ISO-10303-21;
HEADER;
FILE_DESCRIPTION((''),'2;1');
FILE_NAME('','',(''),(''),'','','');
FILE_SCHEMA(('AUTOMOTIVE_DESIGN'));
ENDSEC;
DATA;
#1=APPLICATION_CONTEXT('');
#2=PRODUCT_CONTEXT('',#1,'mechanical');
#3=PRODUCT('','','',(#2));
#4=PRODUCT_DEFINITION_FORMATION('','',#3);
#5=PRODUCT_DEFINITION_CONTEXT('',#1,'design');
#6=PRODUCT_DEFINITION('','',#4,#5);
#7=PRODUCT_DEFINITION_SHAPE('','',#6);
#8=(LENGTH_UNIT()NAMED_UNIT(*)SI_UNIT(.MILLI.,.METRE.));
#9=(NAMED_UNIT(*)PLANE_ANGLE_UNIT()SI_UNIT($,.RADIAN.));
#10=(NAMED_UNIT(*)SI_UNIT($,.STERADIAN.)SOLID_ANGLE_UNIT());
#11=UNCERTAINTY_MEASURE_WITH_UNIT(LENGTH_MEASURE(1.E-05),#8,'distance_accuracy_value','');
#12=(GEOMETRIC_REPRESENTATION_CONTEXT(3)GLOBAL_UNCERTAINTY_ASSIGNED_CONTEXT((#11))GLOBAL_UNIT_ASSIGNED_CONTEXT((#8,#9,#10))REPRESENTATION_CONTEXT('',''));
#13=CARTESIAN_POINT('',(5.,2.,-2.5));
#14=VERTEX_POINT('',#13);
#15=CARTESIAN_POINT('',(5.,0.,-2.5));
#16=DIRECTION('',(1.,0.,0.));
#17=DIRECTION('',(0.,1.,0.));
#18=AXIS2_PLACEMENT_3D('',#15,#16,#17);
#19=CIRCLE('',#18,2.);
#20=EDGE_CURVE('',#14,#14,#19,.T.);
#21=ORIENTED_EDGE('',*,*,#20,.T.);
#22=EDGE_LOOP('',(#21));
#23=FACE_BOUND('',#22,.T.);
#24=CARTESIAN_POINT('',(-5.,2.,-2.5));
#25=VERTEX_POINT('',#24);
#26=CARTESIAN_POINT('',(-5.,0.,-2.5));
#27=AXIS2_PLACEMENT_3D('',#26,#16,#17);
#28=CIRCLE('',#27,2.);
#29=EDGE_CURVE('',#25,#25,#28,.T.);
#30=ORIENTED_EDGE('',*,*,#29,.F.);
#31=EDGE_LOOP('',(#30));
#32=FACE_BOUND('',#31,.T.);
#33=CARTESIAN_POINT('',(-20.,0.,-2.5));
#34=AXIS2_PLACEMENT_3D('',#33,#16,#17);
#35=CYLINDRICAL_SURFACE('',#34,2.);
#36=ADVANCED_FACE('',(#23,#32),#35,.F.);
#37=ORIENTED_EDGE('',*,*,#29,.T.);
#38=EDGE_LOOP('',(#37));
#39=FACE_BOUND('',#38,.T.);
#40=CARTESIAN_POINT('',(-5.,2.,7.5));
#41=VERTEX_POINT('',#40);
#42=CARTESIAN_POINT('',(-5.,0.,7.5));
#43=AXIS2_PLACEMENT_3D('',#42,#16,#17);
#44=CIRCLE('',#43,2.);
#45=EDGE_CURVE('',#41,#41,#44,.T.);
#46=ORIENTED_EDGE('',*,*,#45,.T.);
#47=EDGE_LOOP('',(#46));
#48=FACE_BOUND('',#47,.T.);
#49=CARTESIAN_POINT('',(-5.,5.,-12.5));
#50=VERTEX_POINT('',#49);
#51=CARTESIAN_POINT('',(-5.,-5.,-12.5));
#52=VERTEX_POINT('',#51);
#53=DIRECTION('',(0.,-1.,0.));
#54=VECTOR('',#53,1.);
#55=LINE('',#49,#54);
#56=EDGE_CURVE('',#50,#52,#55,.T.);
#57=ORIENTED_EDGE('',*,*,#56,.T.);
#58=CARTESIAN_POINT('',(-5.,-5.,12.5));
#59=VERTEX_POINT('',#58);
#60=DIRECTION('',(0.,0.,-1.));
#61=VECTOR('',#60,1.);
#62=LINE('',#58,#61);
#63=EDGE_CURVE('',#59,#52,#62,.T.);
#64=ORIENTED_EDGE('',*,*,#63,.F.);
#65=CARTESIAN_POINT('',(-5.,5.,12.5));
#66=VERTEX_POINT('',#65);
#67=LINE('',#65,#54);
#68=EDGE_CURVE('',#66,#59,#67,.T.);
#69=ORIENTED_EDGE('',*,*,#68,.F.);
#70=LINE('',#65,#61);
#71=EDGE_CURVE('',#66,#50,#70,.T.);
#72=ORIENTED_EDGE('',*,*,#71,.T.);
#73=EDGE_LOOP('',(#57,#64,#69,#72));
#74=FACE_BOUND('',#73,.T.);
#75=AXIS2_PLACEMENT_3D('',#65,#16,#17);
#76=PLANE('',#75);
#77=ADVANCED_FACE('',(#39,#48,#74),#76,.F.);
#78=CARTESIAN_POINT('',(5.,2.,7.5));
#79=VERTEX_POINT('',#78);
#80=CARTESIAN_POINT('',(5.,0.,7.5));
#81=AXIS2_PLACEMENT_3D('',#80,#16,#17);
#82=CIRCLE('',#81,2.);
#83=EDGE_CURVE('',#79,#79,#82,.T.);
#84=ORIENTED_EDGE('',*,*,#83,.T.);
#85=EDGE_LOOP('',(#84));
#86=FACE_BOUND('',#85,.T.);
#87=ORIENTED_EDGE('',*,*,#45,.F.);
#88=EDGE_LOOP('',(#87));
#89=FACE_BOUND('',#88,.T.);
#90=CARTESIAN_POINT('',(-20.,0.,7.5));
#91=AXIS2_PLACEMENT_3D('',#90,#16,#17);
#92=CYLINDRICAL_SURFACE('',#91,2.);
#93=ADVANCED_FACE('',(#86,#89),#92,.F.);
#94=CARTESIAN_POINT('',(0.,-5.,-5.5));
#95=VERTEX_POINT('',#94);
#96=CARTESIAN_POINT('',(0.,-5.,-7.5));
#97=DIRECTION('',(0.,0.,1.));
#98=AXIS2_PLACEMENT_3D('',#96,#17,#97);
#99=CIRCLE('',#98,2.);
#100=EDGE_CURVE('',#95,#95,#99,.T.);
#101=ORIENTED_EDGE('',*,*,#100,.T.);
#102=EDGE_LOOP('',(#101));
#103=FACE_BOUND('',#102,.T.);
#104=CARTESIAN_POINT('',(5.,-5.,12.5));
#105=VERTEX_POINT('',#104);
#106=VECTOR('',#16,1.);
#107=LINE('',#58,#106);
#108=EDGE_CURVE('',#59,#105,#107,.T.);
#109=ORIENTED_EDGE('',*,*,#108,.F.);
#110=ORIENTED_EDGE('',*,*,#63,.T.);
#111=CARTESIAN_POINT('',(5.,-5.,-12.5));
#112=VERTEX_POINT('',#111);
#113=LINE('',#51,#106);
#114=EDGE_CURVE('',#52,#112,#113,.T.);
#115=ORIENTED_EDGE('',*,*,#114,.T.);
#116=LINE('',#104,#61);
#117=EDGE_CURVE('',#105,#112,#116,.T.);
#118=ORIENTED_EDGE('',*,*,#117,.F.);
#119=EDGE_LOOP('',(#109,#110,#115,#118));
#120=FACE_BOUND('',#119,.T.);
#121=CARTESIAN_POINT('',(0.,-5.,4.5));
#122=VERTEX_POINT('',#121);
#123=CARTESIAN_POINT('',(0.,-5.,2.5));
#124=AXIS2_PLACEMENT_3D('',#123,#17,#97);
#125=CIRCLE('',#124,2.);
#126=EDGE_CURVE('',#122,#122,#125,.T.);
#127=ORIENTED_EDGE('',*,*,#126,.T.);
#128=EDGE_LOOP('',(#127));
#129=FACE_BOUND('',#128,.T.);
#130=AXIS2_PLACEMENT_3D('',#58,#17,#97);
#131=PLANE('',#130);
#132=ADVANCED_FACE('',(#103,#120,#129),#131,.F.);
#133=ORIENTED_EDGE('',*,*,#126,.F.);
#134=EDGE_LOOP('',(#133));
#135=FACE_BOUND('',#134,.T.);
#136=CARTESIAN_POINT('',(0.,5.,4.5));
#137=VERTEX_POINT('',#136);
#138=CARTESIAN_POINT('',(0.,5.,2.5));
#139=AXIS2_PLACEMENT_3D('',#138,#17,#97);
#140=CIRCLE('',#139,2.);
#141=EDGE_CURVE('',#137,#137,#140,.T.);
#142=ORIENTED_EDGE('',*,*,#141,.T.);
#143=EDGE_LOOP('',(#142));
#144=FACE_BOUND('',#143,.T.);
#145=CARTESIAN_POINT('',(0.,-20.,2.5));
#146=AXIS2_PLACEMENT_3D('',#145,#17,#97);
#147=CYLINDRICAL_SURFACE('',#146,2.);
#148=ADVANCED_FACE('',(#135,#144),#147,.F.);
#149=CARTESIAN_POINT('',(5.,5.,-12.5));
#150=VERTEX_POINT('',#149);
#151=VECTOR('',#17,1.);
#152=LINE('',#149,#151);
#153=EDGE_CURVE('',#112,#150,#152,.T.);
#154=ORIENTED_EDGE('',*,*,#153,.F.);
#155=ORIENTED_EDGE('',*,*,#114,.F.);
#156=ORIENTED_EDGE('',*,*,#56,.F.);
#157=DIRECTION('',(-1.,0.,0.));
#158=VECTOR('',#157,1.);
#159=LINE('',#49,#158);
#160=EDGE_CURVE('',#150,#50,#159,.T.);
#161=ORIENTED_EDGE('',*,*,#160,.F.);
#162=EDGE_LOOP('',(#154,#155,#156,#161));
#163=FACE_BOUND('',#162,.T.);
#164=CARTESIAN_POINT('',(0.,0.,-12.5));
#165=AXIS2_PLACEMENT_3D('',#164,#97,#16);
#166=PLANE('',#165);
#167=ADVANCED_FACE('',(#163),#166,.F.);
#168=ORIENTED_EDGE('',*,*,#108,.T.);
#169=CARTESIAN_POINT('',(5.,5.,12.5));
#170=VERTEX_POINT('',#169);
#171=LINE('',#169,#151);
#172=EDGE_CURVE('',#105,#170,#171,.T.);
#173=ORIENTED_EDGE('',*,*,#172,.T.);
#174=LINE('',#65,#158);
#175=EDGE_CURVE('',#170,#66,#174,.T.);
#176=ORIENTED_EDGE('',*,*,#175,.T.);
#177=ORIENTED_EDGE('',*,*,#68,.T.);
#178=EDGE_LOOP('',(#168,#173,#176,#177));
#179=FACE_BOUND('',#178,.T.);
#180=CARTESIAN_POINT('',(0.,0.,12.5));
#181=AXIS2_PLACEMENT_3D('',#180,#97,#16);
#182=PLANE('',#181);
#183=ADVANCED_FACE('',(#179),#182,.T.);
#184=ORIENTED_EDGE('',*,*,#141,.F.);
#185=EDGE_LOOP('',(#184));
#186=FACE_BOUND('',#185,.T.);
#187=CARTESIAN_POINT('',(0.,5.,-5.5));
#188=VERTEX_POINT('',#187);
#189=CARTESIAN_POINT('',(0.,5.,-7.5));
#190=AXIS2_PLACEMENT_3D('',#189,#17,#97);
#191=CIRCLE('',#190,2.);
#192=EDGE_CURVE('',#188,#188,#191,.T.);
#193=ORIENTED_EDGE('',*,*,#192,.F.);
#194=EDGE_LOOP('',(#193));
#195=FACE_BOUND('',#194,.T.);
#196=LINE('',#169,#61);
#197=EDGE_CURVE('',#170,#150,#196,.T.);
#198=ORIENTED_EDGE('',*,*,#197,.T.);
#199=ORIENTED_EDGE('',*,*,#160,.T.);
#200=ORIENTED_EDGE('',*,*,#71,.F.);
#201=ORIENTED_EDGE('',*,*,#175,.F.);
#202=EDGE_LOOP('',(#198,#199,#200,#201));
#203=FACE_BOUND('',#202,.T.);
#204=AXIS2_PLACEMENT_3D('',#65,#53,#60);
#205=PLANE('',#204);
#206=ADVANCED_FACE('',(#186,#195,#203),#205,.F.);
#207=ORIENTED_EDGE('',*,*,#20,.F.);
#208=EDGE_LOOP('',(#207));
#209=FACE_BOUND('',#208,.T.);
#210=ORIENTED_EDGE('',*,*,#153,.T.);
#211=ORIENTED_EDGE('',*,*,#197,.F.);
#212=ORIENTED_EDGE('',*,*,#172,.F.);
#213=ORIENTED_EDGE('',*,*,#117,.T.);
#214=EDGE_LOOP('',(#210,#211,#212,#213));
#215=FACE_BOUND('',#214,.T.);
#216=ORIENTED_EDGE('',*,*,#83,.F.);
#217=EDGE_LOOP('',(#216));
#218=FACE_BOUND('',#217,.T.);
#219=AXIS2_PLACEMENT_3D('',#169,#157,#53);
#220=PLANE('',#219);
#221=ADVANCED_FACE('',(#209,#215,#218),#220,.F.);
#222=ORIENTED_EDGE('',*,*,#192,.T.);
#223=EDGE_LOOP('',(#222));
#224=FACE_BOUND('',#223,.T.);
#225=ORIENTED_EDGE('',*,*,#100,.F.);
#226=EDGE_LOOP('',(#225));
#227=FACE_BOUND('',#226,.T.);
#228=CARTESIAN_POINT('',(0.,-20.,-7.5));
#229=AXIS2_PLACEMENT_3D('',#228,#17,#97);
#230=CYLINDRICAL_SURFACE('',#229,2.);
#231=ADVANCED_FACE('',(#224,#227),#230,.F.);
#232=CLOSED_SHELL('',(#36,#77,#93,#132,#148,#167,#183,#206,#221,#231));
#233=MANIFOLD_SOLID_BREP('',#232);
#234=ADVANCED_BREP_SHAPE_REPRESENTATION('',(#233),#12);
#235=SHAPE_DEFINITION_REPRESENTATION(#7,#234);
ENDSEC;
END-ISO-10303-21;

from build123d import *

# Parameters (mm, degrees)
SKETCH_1_W          = 10
SKETCH_1_H          = 10
EXTRUDE_1_DEPTH     = 12.5
SKETCH_2_R          = 2
CUT_EXTRUDE_1_DEPTH = 25
SKETCH_3_R          = 2
CUT_EXTRUDE_2_DEPTH = 25


with BuildPart() as part:
    # 草图1 → 凸台-拉伸1 (new body, symmetric)
    with BuildSketch(Plane.XY):
        Rectangle(SKETCH_1_W, SKETCH_1_H)
    extrude(amount=EXTRUDE_1_DEPTH, both=True)

    # 草图2 → 切除-拉伸1 (cut)
    with BuildSketch(Plane(origin=(5, 0, 0), x_dir=(0, 0, -1), z_dir=(1, 0, 0))):
        with Locations((-7.5, 0)):
            Circle(SKETCH_2_R)
        with Locations((2.5, 0)):
            Circle(SKETCH_2_R)
    extrude(amount=-CUT_EXTRUDE_1_DEPTH, mode=Mode.SUBTRACT)

    # 草图3 → 切除-拉伸2 (cut)
    with BuildSketch(Plane(origin=(0, 5, 0), x_dir=(1, 0, 0), z_dir=(0, 1, 0))):
        with Locations((0, 7.5)):
            Circle(SKETCH_3_R)
        with Locations((0, -2.5)):
            Circle(SKETCH_3_R)
    extrude(amount=-CUT_EXTRUDE_2_DEPTH, mode=Mode.SUBTRACT)


solid = part.part
